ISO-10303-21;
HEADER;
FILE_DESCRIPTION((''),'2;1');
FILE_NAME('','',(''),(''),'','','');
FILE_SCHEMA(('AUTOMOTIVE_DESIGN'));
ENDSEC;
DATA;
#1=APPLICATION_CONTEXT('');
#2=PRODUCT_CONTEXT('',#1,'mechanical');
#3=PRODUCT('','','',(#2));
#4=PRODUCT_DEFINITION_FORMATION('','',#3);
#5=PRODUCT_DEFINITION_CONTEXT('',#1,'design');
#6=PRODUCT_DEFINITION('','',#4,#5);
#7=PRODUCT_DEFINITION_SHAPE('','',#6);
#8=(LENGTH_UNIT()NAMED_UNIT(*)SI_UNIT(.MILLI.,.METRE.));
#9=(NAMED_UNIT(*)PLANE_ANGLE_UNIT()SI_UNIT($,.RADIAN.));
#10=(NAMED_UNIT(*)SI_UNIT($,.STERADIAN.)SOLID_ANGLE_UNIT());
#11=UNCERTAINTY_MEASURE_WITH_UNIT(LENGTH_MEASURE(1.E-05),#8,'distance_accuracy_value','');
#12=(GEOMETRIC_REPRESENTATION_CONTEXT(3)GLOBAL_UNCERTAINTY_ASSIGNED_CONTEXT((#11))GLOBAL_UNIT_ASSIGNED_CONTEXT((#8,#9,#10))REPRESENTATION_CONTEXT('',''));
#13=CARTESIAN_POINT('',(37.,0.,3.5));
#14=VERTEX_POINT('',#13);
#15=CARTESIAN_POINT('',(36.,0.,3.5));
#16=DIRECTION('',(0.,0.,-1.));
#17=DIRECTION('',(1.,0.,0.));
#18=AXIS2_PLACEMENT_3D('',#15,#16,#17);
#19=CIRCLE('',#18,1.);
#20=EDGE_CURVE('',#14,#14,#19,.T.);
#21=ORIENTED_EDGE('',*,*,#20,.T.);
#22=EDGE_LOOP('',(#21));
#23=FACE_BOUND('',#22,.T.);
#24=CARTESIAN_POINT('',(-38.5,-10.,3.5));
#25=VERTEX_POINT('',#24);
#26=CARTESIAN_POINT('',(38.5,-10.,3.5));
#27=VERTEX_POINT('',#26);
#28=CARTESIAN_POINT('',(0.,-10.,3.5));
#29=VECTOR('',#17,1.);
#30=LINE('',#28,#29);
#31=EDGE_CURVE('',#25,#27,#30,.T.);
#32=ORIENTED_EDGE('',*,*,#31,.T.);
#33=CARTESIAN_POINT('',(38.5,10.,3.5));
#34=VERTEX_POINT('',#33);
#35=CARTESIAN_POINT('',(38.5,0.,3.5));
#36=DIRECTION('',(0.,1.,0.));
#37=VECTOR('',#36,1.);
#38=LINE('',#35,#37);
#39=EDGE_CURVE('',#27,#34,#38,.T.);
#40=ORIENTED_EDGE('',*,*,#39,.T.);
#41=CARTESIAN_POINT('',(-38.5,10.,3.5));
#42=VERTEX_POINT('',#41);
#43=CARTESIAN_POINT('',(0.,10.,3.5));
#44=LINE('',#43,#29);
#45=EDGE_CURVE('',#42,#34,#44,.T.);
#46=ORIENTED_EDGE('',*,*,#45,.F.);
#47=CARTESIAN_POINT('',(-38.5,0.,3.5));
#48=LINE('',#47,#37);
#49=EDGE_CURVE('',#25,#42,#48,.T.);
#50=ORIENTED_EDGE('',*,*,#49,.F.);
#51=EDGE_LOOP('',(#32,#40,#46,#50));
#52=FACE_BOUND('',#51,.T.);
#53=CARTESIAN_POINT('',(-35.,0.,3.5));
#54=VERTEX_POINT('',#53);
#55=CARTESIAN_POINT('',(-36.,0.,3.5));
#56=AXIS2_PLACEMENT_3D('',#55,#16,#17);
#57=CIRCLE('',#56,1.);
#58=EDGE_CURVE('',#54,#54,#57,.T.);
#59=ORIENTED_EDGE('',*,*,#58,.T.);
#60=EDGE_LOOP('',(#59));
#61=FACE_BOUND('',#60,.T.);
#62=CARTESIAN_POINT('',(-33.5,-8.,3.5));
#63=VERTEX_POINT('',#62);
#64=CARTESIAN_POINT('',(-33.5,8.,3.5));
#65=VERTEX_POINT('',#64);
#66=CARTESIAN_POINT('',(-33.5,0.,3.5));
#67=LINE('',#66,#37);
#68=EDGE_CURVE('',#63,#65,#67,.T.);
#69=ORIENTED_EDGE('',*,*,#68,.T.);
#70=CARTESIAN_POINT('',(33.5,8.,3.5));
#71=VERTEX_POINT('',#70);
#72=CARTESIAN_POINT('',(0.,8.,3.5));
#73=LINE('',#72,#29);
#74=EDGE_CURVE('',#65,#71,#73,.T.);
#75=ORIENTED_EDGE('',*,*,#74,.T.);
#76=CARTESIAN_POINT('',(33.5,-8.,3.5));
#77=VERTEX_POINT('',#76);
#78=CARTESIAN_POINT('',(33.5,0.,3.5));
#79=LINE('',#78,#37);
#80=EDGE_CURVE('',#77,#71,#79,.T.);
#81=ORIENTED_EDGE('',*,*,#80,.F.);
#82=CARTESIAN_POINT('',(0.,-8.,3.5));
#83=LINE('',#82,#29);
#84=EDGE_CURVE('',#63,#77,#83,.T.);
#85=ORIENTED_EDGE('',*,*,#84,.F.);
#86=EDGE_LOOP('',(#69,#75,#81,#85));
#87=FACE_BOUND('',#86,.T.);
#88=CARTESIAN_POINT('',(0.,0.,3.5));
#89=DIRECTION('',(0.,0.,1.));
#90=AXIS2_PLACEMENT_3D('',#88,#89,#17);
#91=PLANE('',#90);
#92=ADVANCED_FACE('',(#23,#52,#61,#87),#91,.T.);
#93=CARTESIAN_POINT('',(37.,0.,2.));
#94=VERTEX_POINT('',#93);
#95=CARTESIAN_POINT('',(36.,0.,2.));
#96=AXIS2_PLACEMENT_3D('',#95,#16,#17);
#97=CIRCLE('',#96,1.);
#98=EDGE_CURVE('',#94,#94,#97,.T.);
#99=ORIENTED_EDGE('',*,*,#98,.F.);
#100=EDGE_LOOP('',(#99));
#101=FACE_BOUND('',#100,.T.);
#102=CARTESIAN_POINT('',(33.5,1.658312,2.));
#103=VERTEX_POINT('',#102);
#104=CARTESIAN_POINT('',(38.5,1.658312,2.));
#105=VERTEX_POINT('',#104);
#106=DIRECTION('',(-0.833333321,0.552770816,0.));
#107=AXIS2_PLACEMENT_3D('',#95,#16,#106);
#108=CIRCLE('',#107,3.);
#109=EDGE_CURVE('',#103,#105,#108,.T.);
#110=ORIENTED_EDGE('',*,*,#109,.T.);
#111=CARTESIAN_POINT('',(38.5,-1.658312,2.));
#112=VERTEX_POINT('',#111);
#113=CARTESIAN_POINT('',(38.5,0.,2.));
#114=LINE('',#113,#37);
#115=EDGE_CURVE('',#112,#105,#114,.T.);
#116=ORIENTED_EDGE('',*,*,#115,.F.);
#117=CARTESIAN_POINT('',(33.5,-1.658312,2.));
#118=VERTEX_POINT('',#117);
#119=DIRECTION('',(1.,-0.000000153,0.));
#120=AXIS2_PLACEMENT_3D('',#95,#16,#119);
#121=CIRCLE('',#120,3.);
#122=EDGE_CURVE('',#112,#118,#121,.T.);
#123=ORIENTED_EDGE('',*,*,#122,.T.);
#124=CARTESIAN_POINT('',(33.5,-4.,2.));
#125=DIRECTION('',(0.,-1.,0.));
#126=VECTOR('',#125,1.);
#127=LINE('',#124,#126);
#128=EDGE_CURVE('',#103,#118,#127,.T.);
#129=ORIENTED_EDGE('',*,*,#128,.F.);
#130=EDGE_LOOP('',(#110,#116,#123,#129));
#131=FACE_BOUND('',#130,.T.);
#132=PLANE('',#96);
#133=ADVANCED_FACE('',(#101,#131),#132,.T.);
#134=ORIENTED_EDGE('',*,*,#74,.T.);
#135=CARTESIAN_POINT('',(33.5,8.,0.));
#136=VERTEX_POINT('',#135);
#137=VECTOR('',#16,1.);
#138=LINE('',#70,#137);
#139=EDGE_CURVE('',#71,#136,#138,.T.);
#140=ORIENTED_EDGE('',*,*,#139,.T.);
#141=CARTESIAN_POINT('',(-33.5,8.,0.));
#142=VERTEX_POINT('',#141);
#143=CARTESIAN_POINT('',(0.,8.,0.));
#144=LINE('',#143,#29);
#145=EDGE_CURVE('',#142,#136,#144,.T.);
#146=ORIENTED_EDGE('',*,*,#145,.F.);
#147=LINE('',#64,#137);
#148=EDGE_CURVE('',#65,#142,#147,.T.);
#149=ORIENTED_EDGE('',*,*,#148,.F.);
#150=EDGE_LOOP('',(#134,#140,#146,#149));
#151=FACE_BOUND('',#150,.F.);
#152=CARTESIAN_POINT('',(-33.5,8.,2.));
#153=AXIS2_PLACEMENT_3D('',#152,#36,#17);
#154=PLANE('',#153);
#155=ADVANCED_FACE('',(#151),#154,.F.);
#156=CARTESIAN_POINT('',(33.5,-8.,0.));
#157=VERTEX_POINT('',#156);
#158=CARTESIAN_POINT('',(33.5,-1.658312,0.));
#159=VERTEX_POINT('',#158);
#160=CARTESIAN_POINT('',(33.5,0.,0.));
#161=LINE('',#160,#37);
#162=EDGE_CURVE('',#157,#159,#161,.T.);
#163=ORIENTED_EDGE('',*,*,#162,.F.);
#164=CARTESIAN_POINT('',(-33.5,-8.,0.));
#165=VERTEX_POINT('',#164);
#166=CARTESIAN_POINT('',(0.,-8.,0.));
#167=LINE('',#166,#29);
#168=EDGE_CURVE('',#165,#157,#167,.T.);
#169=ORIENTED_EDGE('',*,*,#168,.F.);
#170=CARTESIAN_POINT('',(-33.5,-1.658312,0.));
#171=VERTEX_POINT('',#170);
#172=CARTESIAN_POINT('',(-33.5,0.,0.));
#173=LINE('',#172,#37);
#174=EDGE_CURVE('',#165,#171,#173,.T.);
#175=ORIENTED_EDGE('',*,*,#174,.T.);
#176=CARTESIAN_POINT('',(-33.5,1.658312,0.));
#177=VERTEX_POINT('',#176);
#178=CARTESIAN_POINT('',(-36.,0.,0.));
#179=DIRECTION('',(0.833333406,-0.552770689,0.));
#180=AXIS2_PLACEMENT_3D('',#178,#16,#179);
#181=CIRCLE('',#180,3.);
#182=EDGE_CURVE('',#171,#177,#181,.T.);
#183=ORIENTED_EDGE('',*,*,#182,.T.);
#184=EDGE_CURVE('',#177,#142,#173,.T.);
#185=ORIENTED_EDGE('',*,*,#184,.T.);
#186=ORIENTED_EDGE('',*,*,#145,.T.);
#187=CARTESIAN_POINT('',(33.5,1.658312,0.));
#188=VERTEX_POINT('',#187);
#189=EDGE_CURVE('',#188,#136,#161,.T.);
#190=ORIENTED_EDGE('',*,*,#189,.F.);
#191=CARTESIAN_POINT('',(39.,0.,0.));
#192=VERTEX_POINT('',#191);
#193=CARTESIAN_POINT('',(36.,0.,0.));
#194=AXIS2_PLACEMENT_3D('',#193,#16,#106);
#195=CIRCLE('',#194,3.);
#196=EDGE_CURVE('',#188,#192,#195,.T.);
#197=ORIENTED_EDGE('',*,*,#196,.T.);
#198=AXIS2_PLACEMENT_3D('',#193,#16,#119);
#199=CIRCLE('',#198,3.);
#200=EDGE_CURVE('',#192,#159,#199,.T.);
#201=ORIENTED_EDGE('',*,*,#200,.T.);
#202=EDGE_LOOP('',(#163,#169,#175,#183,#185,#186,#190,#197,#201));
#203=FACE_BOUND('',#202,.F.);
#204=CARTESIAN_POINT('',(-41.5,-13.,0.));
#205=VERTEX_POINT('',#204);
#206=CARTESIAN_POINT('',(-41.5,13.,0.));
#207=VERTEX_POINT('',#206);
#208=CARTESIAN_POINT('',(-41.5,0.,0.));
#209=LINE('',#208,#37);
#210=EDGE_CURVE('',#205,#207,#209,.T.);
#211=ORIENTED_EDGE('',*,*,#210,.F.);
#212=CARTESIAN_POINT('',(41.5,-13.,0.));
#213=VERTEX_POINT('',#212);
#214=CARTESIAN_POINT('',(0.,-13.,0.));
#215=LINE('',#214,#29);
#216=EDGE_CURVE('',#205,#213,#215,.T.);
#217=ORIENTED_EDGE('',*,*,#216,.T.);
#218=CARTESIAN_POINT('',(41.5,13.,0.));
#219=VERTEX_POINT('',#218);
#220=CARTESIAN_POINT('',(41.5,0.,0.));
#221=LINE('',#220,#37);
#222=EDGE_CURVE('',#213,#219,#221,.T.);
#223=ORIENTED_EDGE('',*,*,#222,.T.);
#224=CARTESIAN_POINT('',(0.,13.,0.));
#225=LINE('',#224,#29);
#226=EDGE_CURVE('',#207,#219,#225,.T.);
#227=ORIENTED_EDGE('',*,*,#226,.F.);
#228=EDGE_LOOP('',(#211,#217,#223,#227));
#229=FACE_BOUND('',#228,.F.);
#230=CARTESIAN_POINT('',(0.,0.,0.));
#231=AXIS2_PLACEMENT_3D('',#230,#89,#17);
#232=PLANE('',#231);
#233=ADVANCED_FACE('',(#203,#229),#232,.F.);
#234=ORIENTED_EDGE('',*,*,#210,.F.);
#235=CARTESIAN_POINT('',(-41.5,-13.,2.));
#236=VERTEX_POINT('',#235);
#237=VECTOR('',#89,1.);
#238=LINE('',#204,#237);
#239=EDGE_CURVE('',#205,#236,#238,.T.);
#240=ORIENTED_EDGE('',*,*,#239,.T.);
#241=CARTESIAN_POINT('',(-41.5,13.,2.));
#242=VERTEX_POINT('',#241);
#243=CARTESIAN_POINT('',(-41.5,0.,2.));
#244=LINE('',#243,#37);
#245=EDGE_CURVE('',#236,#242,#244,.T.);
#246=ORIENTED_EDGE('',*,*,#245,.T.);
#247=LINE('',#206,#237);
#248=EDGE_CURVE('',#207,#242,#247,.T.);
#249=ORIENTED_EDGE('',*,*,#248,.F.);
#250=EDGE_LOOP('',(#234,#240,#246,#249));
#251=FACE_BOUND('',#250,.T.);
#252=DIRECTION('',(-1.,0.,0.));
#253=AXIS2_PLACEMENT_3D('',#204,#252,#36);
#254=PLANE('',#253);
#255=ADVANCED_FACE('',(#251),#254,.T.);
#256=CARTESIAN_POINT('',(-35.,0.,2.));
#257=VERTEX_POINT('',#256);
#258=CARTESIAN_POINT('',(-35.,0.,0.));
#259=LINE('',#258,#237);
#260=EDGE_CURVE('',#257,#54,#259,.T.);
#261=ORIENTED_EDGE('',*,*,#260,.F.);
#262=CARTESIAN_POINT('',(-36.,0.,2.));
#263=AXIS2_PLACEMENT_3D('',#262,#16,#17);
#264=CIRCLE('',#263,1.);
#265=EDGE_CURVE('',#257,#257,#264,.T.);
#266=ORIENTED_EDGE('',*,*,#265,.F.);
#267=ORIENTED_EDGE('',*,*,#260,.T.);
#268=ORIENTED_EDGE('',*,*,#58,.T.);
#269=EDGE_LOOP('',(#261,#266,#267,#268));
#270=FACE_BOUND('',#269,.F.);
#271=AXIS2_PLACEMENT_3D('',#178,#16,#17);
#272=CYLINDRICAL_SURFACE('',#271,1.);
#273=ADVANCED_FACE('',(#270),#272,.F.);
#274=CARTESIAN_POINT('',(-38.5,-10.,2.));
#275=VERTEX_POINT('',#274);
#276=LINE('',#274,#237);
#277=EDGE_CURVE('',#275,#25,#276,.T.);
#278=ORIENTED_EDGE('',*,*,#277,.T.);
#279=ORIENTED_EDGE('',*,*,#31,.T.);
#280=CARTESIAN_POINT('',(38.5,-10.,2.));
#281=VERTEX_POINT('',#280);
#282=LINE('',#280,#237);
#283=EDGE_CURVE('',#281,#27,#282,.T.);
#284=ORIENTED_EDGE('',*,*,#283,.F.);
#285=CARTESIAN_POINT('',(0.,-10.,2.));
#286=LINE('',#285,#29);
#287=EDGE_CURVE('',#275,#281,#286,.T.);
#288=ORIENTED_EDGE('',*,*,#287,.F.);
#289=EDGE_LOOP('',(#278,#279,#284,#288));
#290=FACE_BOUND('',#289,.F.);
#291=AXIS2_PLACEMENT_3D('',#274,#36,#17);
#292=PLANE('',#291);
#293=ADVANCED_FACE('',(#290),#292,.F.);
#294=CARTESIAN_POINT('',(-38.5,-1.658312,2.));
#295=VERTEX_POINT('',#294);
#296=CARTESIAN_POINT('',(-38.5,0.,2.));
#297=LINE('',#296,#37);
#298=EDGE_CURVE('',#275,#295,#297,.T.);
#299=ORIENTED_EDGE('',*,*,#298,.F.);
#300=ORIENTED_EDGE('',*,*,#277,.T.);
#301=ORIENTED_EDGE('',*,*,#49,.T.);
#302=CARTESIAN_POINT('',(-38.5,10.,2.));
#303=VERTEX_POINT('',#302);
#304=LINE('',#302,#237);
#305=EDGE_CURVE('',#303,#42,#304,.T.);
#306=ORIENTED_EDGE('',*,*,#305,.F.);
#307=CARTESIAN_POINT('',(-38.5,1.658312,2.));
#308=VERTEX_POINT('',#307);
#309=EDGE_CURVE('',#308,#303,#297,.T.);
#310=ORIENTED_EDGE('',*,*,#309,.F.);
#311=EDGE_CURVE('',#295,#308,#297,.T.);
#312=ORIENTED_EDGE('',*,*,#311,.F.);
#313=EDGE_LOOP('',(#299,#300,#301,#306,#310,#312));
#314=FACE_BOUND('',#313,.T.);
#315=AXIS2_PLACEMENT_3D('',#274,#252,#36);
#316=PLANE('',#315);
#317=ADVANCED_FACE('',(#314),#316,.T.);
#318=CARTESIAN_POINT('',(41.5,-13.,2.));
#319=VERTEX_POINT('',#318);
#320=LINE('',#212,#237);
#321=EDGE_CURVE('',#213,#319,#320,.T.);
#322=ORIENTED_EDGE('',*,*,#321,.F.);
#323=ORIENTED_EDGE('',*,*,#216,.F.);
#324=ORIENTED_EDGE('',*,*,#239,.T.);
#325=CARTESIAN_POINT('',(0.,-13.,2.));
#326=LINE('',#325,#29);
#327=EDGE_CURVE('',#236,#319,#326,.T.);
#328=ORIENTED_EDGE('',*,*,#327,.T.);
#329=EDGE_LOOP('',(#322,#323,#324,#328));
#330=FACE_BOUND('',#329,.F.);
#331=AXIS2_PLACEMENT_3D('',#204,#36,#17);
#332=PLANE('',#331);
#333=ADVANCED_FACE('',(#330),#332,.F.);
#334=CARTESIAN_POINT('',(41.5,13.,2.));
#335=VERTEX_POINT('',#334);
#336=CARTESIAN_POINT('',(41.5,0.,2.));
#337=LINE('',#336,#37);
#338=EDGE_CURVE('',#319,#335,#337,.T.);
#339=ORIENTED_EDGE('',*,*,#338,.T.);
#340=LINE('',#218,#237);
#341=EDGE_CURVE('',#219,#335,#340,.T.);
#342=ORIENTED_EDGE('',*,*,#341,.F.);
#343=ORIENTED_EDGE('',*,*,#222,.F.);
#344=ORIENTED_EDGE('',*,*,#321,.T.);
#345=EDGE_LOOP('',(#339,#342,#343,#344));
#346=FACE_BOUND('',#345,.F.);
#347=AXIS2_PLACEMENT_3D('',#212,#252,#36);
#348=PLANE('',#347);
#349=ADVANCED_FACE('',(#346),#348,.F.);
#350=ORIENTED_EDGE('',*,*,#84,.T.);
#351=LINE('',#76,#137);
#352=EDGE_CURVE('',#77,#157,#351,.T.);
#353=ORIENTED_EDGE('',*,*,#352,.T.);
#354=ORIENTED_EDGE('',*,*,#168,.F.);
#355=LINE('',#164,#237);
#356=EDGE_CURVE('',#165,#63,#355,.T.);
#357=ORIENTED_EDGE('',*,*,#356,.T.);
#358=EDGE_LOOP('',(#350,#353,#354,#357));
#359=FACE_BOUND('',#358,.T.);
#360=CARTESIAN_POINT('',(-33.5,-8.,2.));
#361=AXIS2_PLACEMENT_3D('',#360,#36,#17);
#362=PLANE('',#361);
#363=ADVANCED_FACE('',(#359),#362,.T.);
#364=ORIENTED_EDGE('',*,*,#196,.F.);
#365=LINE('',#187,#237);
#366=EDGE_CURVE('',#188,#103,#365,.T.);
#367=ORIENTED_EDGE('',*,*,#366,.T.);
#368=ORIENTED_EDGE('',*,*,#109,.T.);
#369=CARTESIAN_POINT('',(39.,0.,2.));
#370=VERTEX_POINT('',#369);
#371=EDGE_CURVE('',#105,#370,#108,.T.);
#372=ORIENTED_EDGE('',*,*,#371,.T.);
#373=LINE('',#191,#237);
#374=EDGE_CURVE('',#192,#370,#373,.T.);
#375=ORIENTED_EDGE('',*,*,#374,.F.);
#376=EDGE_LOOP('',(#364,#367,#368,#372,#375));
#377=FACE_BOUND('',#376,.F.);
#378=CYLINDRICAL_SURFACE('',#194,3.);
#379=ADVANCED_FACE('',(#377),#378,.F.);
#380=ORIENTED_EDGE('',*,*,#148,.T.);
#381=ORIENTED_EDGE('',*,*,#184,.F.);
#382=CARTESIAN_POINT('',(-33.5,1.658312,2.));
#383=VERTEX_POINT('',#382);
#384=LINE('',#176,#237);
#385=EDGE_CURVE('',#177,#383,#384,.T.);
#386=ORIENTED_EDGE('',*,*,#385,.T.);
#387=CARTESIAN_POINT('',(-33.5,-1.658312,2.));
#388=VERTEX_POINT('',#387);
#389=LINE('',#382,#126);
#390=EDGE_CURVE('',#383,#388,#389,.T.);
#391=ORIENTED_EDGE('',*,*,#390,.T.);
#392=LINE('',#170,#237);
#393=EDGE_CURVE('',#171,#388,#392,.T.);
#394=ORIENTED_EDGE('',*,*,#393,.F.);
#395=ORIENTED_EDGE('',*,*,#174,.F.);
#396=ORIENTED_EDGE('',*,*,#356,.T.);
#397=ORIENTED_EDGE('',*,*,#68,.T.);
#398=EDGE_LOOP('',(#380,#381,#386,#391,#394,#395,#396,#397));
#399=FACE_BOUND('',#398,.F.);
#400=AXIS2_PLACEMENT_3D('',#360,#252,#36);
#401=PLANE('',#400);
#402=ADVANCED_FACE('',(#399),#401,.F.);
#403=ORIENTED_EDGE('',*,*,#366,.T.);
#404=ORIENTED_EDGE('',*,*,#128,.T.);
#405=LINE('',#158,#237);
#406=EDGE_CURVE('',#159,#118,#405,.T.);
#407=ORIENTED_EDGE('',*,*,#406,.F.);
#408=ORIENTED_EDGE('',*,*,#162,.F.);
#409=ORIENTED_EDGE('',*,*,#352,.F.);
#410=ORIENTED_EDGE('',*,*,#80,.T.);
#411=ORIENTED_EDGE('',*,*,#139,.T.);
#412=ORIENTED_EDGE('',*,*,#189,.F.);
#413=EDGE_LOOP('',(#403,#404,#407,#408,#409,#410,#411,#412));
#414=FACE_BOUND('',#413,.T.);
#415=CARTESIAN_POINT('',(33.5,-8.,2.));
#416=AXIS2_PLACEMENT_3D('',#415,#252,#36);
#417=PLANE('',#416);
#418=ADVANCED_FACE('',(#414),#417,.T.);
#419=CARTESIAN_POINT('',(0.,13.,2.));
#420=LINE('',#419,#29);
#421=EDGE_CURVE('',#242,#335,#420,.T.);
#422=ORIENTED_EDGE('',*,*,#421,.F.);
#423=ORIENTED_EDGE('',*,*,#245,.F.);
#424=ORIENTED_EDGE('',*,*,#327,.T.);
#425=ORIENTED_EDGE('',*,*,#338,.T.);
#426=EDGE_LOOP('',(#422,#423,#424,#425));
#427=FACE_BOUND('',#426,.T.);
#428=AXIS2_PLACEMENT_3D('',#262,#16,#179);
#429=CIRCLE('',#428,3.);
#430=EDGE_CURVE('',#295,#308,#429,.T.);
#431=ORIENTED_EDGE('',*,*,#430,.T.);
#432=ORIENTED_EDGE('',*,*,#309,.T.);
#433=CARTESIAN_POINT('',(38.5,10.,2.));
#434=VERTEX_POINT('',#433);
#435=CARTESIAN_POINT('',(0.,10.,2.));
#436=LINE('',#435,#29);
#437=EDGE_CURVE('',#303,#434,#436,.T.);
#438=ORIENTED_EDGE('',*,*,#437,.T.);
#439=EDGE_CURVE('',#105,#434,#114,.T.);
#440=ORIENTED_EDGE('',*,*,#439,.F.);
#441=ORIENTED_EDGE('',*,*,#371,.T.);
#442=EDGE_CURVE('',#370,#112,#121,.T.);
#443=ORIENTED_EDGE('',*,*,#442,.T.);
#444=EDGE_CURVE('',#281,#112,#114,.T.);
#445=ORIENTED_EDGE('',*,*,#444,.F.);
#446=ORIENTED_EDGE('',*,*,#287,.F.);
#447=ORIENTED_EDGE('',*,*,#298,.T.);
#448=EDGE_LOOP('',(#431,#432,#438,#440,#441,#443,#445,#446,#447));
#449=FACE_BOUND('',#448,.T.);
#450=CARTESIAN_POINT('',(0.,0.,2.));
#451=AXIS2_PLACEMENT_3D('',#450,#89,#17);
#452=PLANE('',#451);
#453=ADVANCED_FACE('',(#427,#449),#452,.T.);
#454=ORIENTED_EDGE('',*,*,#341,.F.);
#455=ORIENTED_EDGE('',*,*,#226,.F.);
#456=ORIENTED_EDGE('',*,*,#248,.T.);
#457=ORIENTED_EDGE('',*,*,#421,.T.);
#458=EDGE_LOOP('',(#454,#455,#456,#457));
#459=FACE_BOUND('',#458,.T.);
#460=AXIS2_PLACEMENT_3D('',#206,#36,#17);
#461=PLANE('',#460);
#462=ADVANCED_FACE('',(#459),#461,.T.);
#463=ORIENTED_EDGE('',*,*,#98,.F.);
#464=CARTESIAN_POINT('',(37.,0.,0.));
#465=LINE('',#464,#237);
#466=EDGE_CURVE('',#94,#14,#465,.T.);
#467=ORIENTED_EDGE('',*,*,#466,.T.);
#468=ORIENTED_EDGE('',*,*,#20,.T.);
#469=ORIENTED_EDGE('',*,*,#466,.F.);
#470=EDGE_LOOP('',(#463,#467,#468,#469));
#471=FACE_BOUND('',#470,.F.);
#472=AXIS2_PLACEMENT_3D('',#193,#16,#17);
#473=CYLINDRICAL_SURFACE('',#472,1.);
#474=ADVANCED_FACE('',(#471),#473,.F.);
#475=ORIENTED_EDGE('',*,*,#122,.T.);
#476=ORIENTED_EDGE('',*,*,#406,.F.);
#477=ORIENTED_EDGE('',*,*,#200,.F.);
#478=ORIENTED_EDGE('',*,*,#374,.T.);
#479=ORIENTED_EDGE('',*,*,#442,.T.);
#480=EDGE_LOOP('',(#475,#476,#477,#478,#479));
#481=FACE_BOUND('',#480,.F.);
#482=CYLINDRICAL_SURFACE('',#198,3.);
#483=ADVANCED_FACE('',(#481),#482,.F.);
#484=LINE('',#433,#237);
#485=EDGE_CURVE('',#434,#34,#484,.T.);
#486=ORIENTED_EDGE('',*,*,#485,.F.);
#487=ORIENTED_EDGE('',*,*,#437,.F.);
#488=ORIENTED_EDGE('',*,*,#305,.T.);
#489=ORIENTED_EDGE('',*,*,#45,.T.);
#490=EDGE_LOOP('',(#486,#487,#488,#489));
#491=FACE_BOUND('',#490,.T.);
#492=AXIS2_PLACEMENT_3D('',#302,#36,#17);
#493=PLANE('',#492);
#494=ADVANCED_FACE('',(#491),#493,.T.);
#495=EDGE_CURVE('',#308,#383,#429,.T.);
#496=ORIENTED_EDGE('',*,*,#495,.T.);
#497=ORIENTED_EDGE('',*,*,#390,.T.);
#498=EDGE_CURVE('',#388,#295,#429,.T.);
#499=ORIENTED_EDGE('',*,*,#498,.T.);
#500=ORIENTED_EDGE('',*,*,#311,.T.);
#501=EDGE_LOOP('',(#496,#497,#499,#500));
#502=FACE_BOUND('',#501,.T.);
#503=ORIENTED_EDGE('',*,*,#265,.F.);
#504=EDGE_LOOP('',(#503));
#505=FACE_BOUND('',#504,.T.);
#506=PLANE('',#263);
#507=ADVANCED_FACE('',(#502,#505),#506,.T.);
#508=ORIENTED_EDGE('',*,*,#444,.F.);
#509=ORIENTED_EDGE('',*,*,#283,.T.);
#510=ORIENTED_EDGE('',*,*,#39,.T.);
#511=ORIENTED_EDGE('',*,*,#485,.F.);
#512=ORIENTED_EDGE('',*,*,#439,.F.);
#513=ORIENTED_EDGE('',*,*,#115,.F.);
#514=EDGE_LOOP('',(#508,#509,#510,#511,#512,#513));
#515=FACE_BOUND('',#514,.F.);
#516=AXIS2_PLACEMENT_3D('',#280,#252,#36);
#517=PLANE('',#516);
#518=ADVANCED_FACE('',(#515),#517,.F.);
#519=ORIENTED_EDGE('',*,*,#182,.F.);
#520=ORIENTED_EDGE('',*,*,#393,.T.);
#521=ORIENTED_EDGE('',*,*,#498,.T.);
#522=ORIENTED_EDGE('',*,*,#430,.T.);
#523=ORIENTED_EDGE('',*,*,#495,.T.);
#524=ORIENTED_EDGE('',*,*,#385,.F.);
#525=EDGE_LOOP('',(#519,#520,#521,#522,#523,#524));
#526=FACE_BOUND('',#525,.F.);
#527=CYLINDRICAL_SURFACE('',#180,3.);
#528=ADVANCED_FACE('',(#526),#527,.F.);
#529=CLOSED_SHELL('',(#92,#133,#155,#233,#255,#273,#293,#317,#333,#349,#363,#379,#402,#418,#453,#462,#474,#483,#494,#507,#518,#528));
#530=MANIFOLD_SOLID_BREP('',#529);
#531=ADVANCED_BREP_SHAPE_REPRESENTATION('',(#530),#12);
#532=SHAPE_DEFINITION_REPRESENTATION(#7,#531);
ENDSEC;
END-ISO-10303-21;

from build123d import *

# Parameters (mm, degrees)
F0_W     = 83
F0_H     = 26
F0_W_2   = 67
F0_H_2   = 16
F1_DEPTH = 2
F2_W     = 77
F2_H     = 20
F2_W_2   = 67
F2_H_2   = 16
F3_DEPTH = 1.5
F4_R     = 1
F5_DEPTH = 25
F6_R     = 1
F7_DEPTH = 2


with BuildPart() as f1:
    # F0 (on Top) → F1 (new body)
    with BuildSketch(Plane.XY):
        Rectangle(F0_W, F0_H)
        Rectangle(F0_W_2, F0_H_2, mode=Mode.SUBTRACT)
    extrude(amount=F1_DEPTH)

    # F2 (on face) → F3 (join)
    with BuildSketch(Plane.XY.offset(2)):
        Rectangle(F2_W, F2_H)
        Rectangle(F2_W_2, F2_H_2, mode=Mode.SUBTRACT)
    extrude(amount=F3_DEPTH)

    # F4 (on face) → F5 (cut)
    with BuildSketch(Plane(origin=(0, 0, 0), x_dir=(1, 0, 0), z_dir=(0, 0, -1))):
        with Locations((-36, 0)):
            Circle(F4_R)
        with Locations((36, 0)):
            Circle(F4_R)
    extrude(amount=-F5_DEPTH, mode=Mode.SUBTRACT)

    # F6 (on face) → F7 (cut)
    with BuildSketch(Plane(origin=(0, 0, 0), x_dir=(1, 0, 0), z_dir=(0, 0, -1))):
        with Locations((-36, 0)):
            Circle(F6_R)
        with Locations((36, 0)):
            Circle(F6_R)
        with BuildLine():
            Line((-33.5, -1.658312), (-33.5, 1.658312))
            ThreePointArc((-33.5, 1.658312), (-39, 0), (-33.5, -1.658312))
        make_face()
        with Locations((-36, 0)):
            Circle(F6_R, mode=Mode.SUBTRACT)
        with BuildLine():
            Line((33.5, -1.658312), (33.5, 1.658312))
            ThreePointArc((33.5, 1.658312), (33, 0), (33.5, -1.658312))
        make_face()
        with BuildLine():
            ThreePointArc((39, 0), (36.866025, 2.872281), (33.5, 1.658312))
            Line((33.5, 1.658312), (33.5, -1.658312))
            ThreePointArc((33.5, -1.658312), (36.866025, -2.872281), (39, 0))
        make_face()
        with Locations((36, 0)):
            Circle(F6_R, mode=Mode.SUBTRACT)
    extrude(amount=-F7_DEPTH, mode=Mode.SUBTRACT)


solid = f1.part
